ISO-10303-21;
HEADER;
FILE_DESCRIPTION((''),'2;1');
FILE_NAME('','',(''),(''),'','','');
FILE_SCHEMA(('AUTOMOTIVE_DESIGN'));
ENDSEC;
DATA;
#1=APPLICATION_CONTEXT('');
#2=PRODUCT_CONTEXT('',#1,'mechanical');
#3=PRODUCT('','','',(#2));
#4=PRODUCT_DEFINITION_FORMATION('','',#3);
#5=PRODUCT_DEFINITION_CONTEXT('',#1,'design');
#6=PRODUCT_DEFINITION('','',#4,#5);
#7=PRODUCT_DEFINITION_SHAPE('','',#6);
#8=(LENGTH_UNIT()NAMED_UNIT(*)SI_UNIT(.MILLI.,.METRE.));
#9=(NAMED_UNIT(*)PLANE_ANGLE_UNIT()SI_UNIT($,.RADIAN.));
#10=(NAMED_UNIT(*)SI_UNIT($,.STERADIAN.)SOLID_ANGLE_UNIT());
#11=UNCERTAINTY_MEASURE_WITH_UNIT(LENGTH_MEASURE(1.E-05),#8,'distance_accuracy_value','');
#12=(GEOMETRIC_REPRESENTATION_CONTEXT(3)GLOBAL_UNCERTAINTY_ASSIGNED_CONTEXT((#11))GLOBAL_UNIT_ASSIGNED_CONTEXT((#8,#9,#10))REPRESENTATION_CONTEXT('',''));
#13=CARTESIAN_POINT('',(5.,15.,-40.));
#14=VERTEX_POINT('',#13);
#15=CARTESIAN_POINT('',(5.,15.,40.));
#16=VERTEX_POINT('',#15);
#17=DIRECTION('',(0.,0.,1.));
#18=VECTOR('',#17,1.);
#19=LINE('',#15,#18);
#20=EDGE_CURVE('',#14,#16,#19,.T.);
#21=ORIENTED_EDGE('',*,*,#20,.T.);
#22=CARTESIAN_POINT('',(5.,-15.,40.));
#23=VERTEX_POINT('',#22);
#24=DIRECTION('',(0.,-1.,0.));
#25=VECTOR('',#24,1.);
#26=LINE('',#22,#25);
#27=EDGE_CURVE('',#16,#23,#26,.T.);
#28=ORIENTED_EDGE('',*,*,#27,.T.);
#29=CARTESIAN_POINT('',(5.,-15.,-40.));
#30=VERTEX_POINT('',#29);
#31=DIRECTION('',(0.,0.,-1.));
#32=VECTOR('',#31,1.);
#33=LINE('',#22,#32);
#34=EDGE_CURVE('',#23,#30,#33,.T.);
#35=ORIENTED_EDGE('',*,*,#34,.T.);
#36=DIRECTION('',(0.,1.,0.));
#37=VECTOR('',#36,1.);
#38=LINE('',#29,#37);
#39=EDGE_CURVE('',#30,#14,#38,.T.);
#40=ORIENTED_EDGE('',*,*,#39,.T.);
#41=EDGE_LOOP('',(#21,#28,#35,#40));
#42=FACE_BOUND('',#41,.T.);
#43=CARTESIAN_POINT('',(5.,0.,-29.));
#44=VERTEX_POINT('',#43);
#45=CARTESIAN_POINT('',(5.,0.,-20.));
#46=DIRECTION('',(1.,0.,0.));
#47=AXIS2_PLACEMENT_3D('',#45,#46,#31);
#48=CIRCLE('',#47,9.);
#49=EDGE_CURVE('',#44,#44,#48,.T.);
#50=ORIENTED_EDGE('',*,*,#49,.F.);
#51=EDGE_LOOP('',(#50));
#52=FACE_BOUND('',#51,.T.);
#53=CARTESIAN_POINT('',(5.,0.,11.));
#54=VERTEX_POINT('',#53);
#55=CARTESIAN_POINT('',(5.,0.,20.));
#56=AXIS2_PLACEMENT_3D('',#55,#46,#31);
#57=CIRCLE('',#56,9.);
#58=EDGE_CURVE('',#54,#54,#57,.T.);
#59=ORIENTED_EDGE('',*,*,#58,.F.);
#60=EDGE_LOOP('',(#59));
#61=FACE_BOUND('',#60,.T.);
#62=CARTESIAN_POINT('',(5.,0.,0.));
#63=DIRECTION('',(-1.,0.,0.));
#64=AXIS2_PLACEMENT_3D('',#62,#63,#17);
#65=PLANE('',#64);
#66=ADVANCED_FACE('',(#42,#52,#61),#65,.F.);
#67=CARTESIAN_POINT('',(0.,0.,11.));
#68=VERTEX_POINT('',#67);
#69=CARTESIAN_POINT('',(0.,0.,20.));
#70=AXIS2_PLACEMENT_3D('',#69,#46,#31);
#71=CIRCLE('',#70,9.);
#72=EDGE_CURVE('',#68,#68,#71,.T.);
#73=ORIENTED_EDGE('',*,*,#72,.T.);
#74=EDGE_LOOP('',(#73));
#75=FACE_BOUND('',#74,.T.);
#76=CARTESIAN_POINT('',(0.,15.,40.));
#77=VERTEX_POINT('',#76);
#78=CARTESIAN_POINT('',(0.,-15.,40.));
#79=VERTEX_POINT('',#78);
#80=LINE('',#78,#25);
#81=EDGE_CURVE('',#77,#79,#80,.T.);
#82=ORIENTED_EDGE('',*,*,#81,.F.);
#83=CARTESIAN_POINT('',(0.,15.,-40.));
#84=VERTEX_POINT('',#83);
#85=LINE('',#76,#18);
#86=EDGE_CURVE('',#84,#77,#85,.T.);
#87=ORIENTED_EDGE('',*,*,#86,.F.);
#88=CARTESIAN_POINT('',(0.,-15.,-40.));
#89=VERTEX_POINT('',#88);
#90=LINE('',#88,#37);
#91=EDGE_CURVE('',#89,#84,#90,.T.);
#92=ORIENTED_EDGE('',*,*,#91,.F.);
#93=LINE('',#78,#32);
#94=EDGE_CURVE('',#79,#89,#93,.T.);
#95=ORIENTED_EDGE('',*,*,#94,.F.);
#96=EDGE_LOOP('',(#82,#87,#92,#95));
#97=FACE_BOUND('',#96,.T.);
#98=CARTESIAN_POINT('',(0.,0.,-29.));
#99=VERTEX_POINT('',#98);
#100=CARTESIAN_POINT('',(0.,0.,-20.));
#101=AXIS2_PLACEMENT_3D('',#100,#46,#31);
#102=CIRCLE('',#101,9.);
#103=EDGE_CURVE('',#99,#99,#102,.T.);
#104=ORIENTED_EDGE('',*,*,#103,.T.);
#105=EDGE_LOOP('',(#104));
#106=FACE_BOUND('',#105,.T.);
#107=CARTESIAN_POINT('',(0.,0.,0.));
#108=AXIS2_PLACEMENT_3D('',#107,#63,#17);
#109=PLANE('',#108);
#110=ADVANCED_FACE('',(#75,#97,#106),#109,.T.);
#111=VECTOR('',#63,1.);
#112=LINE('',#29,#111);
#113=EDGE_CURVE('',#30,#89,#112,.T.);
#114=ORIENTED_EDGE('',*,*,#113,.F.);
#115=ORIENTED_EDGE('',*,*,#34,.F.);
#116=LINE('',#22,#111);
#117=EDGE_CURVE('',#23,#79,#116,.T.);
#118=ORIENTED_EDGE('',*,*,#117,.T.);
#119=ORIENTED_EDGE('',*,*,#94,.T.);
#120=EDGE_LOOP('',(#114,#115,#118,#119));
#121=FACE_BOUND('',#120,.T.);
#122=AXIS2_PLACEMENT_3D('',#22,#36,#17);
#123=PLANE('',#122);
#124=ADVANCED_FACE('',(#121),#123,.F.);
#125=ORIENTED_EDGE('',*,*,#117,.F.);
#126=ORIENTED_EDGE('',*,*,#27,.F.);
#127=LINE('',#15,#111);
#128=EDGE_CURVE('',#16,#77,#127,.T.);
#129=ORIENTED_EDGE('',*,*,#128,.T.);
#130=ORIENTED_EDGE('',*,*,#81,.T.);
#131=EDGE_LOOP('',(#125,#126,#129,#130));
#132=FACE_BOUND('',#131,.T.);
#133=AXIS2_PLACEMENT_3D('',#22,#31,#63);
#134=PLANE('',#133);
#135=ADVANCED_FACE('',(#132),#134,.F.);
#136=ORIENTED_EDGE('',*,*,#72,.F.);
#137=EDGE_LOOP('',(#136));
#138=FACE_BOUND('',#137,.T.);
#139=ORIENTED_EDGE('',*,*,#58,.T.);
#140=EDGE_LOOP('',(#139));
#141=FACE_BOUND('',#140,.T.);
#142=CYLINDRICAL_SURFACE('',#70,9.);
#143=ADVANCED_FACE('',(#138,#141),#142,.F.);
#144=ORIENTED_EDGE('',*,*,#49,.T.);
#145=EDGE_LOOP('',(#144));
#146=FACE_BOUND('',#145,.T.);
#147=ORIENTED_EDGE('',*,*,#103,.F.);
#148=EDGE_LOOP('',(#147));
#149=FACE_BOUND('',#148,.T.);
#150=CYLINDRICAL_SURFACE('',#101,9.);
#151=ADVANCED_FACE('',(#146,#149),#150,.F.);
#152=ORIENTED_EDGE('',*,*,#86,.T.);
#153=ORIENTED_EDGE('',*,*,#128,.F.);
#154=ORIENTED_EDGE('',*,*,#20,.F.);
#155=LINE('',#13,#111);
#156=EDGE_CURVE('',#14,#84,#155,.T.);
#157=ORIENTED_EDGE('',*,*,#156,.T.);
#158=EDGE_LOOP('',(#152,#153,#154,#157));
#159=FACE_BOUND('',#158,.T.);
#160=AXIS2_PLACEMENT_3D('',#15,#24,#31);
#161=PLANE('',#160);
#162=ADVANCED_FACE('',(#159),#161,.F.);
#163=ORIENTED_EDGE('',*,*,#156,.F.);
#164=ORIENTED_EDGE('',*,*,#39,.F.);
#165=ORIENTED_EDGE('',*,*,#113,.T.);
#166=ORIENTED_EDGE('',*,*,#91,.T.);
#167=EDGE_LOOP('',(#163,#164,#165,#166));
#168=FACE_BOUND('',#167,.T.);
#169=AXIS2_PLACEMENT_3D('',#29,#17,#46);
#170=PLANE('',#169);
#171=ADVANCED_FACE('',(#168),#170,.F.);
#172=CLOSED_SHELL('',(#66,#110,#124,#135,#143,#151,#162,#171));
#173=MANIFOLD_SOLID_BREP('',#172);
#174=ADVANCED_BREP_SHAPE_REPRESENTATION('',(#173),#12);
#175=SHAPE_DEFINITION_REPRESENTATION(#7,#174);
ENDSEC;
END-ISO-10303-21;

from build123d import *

# Parameters (mm, degrees)
SKETCH1_W           = 80
SKETCH1_H           = 30
BOSS_EXTRUDE1_DEPTH = 5
SKETCH2_R           = 9
CUT_EXTRUDE1_DEPTH  = 5


with BuildPart() as part:
    # Sketch1 → Boss-Extrude1 (new body)
    with BuildSketch(Plane(origin=(0, 0, 0), x_dir=(0, 0, -1), z_dir=(1, 0, 0))):
        Rectangle(SKETCH1_W, SKETCH1_H)
    extrude(amount=BOSS_EXTRUDE1_DEPTH)

    # Sketch2 → Cut-Extrude1 (cut)
    with BuildSketch(Plane(origin=(5, 0, 0), x_dir=(0, 0, -1), z_dir=(1, 0, 0))):
        with Locations((20, 0)):
            Circle(SKETCH2_R)
        with Locations((-20, 0)):
            Circle(SKETCH2_R)
    extrude(amount=-CUT_EXTRUDE1_DEPTH, mode=Mode.SUBTRACT)


solid = part.part
